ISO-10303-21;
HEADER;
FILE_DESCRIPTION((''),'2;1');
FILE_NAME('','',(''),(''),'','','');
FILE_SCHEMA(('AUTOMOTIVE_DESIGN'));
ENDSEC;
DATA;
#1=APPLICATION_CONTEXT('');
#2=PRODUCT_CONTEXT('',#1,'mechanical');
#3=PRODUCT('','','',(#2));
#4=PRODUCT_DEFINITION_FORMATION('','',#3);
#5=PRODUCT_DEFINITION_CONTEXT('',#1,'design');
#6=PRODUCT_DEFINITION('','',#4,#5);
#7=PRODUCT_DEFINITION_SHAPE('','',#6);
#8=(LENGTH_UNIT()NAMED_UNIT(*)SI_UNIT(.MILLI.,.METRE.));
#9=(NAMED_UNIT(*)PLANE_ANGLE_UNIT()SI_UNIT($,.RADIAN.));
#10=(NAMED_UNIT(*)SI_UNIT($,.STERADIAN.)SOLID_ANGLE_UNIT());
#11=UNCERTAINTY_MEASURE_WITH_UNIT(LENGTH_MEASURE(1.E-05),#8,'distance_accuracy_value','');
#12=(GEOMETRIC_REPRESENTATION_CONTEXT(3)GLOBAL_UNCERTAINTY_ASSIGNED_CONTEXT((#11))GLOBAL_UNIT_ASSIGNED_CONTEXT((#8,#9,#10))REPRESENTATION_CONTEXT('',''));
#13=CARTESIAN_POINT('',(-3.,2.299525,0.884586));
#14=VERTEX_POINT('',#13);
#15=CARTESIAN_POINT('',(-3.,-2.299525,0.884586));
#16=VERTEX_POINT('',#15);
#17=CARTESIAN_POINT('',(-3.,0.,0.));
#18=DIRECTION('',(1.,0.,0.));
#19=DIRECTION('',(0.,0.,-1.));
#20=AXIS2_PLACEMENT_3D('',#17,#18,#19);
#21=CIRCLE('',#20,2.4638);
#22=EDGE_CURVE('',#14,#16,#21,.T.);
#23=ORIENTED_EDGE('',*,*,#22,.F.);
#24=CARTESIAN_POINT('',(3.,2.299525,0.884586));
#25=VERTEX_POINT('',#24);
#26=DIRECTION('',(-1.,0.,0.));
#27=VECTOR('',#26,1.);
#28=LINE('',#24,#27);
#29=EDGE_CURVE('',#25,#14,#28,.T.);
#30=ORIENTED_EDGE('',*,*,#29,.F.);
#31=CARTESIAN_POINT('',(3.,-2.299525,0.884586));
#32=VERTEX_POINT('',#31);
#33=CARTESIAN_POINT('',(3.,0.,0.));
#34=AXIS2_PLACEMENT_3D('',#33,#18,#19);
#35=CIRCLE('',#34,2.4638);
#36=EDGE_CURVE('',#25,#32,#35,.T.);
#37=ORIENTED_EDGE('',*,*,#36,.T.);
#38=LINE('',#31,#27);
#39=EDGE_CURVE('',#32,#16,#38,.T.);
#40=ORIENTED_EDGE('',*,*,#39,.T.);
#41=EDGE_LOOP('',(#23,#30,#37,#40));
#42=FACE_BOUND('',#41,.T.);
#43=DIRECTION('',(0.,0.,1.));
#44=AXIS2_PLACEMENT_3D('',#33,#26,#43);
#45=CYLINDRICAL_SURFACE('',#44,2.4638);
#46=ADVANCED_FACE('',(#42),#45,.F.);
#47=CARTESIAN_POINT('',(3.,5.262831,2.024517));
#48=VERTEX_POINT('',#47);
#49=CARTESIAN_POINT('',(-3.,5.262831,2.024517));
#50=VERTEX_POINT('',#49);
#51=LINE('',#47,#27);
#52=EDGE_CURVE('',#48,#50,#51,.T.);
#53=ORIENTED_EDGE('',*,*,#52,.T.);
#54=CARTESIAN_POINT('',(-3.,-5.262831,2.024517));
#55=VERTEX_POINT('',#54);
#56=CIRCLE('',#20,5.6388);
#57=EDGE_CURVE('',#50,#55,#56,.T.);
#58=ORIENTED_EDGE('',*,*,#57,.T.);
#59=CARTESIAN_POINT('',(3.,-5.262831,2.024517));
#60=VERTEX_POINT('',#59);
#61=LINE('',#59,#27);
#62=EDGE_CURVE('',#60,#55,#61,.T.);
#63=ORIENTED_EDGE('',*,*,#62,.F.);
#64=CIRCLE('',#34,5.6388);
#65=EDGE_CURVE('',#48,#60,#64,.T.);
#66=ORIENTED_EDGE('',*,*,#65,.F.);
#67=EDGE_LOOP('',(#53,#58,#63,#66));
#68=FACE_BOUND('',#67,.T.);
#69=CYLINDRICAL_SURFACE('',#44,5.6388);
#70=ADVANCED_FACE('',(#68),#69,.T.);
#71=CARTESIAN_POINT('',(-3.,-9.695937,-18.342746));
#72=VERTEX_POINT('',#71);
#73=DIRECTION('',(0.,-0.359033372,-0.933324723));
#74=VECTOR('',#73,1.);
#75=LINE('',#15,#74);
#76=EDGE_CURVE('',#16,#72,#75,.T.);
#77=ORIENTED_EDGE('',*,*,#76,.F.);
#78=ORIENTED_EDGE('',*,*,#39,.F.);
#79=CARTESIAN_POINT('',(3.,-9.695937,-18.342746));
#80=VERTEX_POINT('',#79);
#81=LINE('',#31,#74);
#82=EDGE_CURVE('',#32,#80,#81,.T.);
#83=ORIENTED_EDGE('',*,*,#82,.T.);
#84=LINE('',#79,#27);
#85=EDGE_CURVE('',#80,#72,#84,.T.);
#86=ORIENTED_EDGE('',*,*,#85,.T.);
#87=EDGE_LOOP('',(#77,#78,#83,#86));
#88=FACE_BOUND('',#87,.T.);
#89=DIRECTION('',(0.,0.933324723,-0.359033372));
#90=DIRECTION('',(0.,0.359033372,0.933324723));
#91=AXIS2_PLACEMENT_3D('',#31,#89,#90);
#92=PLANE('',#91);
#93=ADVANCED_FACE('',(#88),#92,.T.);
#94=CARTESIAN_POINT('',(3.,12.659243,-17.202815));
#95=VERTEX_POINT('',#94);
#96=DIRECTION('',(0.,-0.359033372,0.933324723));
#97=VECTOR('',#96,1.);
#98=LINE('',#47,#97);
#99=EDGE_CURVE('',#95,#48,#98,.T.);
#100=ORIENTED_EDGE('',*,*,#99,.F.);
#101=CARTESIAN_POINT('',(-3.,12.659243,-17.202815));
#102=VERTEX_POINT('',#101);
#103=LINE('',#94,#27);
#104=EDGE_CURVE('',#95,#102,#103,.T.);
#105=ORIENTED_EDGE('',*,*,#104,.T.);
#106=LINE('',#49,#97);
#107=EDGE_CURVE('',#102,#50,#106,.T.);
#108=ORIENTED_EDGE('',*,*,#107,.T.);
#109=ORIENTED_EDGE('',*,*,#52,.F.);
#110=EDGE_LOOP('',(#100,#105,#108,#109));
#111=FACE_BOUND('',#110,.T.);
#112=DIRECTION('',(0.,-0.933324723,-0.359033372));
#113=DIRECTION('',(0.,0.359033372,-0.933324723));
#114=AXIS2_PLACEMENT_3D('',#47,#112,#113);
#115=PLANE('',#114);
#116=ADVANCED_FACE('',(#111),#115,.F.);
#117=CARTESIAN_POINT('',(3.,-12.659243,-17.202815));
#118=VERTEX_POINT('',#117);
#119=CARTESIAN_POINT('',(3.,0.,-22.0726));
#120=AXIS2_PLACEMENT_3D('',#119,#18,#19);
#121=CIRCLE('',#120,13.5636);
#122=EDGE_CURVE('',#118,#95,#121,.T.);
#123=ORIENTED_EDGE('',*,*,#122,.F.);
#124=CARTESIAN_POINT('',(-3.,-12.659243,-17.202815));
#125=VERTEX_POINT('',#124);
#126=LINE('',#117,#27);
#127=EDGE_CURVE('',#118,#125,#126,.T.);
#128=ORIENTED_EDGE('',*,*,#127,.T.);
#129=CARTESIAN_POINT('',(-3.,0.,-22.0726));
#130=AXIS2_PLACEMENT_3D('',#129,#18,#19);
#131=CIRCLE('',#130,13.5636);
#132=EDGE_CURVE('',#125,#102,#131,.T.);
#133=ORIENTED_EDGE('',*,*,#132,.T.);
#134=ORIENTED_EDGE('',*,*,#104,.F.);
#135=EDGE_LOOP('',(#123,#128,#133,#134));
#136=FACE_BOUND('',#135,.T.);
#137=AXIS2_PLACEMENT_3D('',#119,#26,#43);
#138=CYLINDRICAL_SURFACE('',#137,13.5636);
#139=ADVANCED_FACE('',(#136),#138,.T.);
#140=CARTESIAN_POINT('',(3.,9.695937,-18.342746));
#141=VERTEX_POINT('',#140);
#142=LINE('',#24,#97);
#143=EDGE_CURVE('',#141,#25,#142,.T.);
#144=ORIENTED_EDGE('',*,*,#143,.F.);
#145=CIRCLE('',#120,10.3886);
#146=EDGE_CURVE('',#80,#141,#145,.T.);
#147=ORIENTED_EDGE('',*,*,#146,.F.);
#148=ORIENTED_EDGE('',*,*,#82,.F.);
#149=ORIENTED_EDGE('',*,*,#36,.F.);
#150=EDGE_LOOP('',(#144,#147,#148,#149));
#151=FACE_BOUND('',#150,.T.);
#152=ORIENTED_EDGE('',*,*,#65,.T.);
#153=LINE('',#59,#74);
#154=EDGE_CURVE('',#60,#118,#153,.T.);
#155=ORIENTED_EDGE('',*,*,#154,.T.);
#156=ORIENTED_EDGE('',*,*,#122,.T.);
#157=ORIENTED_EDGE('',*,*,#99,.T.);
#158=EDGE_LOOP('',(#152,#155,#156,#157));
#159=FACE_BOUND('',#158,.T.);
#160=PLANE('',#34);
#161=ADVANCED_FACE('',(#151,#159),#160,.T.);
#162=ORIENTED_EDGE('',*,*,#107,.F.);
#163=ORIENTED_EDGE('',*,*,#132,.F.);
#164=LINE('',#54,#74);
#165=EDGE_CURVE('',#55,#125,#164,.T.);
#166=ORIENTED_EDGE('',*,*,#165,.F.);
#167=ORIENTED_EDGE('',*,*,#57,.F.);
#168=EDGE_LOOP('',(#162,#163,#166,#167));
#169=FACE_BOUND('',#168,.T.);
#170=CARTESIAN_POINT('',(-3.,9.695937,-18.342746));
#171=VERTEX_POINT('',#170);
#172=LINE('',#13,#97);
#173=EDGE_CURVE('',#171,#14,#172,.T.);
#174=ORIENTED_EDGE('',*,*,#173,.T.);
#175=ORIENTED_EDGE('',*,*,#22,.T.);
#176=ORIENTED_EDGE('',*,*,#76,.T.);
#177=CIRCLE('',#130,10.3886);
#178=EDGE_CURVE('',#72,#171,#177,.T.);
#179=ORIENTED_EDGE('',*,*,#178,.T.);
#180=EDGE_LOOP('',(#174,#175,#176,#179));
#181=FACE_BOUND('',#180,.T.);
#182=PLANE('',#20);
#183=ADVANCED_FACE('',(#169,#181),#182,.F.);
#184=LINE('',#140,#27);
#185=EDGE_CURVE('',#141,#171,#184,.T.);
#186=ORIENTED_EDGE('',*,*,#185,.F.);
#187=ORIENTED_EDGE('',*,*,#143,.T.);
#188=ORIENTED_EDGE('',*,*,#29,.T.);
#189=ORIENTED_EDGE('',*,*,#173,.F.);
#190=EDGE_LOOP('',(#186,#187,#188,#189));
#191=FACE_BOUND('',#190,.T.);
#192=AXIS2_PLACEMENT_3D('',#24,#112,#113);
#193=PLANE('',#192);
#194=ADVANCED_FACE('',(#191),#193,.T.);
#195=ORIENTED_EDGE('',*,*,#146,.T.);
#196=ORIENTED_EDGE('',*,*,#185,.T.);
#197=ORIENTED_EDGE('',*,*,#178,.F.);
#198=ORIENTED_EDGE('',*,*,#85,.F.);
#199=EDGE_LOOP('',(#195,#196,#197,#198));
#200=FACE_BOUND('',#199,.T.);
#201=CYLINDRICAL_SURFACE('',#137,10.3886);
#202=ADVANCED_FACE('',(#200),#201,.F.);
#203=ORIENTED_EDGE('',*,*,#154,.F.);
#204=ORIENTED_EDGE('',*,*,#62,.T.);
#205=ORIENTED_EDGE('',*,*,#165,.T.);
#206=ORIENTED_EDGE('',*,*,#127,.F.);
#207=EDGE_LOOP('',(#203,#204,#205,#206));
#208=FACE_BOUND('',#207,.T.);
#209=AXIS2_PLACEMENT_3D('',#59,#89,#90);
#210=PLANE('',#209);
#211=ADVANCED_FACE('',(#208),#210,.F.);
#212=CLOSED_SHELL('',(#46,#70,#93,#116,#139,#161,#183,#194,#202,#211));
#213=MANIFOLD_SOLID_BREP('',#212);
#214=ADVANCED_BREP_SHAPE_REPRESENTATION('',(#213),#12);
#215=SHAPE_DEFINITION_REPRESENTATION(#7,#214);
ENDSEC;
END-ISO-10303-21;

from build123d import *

# Parameters (mm, degrees)
BOSS_EXTRUDE1_DEPTH = 3


with BuildPart() as part:
    # Sketch1 → Boss-Extrude1 (new body, symmetric)
    with BuildSketch(Plane(origin=(0, 0, 0), x_dir=(0, 0, -1), z_dir=(1, 0, 0))):
        with BuildLine():
            Line((-2.024517376, 5.262831446), (17.20281496, 12.659243209))
            ThreePointArc((17.20281496, 12.659243209), (35.6362, 0), (17.20281496, -12.659243209))
            Line((17.20281496, -12.659243209), (-2.024517376, -5.262831446))
            ThreePointArc((-2.024517376, -5.262831446), (-5.6388, 0), (-2.024517376, 5.262831446))
        make_face()
        with BuildLine():
            Line((-0.884586421, 2.299525452), (18.342745915, 9.695937214))
            ThreePointArc((18.342745915, 9.695937214), (32.4612, 0), (18.342745915, -9.695937214))
            Line((18.342745915, -9.695937214), (-0.884586421, -2.299525452))
            ThreePointArc((-0.884586421, -2.299525452), (-2.4638, 0), (-0.884586421, 2.299525452))
        make_face(mode=Mode.SUBTRACT)
    extrude(amount=BOSS_EXTRUDE1_DEPTH, both=True)


solid = part.part
